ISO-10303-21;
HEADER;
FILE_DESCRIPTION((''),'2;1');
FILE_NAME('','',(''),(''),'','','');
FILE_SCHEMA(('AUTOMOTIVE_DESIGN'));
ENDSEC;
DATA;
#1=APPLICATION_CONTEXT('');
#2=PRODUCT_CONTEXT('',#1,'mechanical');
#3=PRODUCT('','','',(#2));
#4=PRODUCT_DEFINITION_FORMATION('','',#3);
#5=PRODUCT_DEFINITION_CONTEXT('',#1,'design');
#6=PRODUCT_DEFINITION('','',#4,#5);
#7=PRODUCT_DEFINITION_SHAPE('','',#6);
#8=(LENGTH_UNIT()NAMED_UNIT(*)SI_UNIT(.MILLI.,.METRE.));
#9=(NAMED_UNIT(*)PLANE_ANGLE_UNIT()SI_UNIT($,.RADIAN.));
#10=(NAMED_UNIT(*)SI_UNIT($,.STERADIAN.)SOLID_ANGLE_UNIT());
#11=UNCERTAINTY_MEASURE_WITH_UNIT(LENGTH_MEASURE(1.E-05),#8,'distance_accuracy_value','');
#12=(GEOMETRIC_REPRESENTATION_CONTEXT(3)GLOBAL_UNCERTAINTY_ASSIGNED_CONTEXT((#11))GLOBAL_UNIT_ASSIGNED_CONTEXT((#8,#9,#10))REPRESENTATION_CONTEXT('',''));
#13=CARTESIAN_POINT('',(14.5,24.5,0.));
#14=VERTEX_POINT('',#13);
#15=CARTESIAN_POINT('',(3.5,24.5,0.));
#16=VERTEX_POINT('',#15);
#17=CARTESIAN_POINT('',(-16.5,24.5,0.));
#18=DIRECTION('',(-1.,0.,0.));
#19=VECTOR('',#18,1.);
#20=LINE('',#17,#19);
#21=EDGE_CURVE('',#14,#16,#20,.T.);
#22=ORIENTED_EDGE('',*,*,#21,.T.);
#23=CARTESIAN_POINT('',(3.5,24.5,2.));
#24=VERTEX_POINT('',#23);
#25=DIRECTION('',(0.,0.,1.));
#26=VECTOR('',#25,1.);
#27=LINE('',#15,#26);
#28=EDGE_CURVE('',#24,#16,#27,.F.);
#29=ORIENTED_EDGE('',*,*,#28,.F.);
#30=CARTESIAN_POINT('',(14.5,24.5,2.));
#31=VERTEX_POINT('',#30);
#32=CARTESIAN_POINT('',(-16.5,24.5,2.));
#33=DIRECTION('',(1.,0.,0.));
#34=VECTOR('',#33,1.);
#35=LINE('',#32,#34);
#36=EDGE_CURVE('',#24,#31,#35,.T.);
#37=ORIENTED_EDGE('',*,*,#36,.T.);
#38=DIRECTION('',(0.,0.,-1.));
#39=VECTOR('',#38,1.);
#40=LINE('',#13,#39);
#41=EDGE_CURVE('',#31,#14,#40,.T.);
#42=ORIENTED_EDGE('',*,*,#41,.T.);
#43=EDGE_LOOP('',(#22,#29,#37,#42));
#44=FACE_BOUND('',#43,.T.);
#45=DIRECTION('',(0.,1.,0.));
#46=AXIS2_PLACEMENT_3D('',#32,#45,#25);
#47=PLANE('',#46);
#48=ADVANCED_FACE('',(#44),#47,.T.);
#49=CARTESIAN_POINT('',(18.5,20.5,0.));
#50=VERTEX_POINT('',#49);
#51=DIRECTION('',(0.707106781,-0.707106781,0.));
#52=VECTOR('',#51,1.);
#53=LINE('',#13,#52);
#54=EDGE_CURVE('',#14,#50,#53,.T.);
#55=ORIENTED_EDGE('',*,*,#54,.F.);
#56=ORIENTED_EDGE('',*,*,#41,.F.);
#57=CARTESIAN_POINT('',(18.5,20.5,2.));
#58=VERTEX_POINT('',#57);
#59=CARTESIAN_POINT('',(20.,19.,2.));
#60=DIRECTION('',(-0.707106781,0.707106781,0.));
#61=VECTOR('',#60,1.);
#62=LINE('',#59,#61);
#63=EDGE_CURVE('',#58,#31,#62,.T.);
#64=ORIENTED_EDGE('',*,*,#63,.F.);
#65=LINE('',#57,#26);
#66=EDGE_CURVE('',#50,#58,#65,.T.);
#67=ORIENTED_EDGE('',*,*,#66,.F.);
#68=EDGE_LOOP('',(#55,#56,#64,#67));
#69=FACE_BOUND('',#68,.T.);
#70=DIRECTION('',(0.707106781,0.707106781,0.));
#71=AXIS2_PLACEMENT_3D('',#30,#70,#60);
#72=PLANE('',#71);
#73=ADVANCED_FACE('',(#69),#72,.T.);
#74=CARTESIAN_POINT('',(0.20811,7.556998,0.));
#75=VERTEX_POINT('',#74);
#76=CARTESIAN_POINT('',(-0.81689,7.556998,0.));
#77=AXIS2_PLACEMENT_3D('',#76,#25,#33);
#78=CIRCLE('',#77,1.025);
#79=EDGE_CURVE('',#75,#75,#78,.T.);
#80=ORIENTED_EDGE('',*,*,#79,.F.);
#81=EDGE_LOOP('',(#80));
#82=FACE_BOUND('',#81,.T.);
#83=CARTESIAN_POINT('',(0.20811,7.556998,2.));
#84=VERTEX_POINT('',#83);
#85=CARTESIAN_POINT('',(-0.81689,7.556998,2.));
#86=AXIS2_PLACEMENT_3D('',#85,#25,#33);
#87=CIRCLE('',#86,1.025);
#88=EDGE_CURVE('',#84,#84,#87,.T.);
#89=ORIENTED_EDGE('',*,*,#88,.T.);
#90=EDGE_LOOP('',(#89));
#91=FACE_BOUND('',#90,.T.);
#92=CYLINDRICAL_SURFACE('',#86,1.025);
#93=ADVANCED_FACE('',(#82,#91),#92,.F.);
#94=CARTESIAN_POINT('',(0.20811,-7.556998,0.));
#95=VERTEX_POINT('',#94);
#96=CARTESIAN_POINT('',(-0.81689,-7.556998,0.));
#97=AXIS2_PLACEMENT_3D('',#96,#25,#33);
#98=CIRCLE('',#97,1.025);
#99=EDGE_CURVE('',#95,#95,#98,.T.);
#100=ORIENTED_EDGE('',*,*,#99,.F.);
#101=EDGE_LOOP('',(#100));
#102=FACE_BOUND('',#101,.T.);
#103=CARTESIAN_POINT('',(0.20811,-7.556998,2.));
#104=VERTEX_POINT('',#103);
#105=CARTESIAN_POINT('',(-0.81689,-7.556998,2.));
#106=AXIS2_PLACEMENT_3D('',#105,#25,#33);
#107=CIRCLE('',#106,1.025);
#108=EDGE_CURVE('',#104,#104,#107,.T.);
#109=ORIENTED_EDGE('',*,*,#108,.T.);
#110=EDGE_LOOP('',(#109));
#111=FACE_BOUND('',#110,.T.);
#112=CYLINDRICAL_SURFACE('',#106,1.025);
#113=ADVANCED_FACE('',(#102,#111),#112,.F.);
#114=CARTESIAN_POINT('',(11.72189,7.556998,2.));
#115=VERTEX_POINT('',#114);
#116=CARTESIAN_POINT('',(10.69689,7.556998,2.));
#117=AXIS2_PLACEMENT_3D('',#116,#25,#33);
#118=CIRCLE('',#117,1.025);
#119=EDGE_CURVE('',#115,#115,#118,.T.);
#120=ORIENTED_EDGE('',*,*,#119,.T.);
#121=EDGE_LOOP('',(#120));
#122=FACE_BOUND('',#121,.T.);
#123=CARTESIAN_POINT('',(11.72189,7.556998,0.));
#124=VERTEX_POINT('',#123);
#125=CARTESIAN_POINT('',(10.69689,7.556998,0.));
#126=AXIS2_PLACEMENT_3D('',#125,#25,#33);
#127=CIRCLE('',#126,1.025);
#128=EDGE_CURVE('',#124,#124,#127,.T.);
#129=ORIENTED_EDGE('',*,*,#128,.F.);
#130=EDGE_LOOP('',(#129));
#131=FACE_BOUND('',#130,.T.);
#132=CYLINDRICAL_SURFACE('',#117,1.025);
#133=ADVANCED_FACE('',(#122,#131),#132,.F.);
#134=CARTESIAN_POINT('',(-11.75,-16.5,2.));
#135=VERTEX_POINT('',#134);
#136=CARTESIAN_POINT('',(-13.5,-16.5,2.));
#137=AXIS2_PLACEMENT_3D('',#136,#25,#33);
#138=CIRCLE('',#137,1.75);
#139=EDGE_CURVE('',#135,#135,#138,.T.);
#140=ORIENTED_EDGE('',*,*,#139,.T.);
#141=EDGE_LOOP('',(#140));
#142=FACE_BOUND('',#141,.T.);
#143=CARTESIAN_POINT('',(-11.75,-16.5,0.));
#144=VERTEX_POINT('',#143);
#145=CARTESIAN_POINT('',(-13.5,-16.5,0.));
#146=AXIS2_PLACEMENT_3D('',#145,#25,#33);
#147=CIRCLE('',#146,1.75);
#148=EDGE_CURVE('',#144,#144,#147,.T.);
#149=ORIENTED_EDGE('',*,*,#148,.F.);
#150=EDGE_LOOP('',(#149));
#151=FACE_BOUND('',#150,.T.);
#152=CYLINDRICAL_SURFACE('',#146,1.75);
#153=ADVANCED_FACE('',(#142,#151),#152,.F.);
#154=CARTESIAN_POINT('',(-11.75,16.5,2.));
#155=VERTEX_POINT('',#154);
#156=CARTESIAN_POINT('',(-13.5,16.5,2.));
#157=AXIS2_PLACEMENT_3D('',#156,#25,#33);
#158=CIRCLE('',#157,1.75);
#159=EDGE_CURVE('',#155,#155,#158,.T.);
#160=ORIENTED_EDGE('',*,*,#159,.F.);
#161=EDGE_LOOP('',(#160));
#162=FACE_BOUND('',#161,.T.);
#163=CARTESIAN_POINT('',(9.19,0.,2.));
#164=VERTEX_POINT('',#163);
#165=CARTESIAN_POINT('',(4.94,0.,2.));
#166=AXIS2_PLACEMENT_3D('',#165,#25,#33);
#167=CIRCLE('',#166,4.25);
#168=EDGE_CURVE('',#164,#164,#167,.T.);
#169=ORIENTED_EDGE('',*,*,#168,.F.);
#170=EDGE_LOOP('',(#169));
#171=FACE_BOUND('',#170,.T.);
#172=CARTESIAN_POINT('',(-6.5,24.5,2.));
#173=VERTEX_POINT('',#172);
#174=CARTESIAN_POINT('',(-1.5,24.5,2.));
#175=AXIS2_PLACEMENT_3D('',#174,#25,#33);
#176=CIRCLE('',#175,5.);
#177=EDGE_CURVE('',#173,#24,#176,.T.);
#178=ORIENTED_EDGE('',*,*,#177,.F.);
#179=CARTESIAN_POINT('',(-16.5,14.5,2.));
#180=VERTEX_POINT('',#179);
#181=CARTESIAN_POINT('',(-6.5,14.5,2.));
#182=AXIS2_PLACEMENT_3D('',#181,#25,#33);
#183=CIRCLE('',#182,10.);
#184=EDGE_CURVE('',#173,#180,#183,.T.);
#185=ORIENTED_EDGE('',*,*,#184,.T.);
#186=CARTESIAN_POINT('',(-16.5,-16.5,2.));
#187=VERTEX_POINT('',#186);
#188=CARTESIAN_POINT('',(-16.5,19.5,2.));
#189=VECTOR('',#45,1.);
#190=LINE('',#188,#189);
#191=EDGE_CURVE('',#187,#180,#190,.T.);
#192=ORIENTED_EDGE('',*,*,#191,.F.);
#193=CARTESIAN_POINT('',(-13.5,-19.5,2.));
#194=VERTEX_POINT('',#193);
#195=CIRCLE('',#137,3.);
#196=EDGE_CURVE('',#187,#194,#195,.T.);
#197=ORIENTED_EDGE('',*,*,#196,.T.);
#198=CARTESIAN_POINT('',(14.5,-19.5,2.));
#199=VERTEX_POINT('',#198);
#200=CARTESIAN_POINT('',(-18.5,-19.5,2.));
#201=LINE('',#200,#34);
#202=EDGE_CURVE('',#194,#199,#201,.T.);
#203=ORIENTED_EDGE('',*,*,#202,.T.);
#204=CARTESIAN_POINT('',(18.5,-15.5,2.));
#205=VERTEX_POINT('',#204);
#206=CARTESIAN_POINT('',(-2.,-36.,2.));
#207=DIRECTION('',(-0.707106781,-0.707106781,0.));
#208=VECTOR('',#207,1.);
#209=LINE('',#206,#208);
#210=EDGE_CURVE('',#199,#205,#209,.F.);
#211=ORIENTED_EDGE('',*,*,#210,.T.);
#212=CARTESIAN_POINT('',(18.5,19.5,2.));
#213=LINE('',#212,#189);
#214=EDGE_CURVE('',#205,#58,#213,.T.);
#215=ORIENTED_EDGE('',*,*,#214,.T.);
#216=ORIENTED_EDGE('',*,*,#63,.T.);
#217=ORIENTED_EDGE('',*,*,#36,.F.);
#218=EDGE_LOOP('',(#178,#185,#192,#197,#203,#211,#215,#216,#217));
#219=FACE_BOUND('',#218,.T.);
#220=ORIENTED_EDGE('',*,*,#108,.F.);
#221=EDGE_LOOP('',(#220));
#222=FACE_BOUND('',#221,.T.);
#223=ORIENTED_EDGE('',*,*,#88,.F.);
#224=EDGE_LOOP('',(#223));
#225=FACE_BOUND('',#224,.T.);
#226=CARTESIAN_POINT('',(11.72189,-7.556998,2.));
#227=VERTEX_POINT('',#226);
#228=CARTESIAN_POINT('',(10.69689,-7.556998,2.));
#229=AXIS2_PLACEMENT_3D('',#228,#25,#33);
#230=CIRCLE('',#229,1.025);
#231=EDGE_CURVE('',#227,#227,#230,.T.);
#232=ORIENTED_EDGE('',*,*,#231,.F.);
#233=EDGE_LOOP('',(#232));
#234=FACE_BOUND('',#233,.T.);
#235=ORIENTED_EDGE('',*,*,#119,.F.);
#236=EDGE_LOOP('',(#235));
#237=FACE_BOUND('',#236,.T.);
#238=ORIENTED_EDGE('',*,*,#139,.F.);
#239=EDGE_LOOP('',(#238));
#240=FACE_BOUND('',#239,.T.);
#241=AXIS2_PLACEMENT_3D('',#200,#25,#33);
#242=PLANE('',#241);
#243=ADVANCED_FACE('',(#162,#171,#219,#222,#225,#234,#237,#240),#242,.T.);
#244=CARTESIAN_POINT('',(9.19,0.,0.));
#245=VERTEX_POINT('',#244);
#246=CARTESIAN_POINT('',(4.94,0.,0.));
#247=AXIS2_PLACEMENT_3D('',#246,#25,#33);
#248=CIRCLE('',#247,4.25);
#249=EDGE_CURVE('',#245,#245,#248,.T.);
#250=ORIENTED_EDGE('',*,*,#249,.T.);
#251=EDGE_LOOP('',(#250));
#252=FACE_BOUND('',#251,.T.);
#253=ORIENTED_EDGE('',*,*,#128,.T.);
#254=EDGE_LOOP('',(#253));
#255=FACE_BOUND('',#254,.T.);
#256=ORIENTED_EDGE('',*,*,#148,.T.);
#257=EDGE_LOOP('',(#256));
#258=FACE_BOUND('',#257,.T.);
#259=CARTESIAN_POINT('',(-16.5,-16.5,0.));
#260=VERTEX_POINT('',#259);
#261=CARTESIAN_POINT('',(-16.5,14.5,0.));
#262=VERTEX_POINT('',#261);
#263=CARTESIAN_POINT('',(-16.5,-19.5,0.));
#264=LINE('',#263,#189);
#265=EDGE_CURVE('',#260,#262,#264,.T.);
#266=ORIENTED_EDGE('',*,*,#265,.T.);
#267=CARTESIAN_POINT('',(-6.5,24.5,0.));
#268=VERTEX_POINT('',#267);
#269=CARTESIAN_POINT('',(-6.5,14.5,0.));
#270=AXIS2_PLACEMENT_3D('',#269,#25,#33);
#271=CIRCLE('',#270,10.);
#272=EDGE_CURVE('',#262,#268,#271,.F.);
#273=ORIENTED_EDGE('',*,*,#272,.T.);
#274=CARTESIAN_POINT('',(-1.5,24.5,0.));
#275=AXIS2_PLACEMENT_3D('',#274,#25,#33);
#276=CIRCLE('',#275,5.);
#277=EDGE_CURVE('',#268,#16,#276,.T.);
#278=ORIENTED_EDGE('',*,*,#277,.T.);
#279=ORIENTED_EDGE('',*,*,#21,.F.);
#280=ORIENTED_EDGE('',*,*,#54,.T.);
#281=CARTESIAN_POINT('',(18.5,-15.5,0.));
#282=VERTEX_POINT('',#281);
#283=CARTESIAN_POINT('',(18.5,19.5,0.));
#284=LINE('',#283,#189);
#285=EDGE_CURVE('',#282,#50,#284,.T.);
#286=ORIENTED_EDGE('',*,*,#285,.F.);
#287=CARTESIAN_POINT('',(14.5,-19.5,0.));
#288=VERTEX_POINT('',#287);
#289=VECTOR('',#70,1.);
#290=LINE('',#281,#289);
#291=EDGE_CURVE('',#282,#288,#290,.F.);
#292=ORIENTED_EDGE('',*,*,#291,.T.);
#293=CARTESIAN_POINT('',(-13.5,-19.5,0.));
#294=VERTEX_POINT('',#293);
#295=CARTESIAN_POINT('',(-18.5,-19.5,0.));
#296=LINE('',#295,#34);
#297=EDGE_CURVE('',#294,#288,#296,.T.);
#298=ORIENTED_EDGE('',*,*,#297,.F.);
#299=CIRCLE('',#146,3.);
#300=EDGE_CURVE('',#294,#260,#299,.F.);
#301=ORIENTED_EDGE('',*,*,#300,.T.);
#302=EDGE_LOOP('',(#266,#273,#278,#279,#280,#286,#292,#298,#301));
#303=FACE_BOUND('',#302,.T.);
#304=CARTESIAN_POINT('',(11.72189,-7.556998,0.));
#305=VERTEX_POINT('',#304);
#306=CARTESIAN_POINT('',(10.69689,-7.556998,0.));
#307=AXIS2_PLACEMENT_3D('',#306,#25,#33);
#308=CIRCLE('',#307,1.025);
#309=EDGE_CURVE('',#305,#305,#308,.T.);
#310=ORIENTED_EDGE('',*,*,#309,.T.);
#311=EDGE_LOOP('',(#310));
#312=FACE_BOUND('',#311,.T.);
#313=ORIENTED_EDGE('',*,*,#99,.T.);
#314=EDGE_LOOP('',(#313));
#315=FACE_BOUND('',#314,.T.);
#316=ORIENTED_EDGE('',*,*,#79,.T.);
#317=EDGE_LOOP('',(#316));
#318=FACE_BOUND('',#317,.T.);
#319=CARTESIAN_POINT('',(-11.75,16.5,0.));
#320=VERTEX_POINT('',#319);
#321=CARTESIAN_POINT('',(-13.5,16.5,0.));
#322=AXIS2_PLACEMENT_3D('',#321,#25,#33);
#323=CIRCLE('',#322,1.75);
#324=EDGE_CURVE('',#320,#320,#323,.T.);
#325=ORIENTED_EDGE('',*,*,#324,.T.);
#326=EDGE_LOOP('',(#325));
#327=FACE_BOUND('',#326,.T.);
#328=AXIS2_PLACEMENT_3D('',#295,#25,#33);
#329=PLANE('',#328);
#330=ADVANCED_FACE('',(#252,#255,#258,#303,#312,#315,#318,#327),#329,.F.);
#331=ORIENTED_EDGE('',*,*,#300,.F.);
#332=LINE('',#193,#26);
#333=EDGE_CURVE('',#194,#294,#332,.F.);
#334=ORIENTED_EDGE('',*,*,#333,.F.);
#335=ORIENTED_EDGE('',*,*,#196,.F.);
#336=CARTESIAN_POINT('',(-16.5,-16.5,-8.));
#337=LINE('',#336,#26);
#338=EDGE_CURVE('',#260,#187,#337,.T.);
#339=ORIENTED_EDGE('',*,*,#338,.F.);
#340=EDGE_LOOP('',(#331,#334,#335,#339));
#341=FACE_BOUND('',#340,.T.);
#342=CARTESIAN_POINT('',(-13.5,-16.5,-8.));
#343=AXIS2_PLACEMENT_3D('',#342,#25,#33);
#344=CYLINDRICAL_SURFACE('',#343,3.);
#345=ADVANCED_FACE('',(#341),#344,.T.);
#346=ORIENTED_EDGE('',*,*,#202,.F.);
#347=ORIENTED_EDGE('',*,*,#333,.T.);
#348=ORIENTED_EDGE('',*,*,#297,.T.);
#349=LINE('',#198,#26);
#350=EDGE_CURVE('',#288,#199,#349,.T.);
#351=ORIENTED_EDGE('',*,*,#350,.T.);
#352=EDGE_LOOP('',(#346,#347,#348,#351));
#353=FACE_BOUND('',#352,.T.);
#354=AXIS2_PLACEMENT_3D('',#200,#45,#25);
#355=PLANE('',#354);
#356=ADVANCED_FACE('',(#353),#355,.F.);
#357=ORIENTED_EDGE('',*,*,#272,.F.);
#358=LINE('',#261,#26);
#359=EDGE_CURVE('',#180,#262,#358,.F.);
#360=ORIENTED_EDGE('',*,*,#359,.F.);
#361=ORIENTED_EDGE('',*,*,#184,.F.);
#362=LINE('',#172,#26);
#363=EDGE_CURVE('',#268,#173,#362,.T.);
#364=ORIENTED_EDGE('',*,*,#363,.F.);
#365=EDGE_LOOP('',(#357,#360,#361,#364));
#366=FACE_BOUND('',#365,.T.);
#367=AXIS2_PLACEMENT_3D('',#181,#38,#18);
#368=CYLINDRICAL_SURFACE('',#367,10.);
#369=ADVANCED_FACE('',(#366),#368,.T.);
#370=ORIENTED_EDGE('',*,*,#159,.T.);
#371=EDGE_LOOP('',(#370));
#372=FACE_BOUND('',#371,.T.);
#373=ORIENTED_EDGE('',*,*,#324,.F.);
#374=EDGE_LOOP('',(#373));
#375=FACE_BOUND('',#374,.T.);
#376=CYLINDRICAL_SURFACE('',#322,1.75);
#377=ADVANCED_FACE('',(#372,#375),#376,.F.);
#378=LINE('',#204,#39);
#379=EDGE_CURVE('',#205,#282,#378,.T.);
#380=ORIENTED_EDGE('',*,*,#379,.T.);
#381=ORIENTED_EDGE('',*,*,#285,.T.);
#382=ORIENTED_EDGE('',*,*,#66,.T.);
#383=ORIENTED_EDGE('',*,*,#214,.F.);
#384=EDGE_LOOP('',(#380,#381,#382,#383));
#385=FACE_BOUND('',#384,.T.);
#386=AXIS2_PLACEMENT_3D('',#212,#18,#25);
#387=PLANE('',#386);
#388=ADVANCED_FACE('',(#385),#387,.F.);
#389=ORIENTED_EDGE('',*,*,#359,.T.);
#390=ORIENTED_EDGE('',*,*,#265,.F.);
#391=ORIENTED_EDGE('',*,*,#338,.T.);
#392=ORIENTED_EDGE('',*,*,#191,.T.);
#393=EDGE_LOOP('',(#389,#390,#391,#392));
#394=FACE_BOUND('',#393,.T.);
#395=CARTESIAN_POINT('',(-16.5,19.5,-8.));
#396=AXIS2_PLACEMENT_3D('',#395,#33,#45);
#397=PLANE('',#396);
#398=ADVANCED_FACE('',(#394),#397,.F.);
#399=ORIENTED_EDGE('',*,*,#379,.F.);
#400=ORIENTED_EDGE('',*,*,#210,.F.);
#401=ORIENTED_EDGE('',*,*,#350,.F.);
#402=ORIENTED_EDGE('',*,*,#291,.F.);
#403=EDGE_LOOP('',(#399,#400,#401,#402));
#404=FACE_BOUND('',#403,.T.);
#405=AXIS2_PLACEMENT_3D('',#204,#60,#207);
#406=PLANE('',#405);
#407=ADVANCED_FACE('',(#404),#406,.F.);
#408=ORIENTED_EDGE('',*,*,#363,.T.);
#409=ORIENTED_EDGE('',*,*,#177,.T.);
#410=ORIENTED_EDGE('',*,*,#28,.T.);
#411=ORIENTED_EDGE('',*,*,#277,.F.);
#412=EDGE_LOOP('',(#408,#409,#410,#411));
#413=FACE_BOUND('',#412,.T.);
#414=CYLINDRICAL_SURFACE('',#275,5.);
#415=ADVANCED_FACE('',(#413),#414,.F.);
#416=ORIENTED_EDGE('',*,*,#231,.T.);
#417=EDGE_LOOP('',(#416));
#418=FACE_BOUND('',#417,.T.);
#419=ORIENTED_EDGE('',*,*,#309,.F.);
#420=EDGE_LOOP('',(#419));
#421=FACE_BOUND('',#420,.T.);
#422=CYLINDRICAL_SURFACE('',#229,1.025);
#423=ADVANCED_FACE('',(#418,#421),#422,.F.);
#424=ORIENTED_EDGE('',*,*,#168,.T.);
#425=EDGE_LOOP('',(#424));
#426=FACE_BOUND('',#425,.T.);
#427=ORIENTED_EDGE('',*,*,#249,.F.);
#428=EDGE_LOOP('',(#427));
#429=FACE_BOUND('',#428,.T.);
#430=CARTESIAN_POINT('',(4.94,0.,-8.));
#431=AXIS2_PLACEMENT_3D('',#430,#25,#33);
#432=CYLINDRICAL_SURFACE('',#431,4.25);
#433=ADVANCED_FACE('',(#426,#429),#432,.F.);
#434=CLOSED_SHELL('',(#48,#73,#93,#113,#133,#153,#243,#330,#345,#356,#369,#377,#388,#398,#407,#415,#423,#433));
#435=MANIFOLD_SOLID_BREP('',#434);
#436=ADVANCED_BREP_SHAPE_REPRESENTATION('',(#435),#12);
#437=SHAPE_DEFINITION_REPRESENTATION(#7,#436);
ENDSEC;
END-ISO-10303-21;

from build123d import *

# Parameters (mm, degrees)
SKETCH_2_W              = 37
SKETCH_2_H              = 39
EXTRUDE_1_DEPTH         = 2
SKETCH_3_R              = 1.75
CUT_EXTRUDE_2_DEPTH     = 2
CHAMFER_3_SIZE          = 1
SKETCH_7_R              = 4.25
CUT_EXTRUDE_3_DEPTH     = 10
SKETCH_8_W              = 2
SKETCH_8_H              = 39
CUT_EXTRUDE_4_DEPTH     = 10
FILLET_3_R              = 3
M2_5_TAPPED_HOLE1_D     = 2.05
M2_5_TAPPED_HOLE1_DEPTH = 7.25
M2_5_TAPPED_HOLE1_TIP   = 0.615882135
CHAMFER2_SIZE           = 4
SKETCH_9_W              = 35
SKETCH_9_H              = 2
EXTRUDE_1_2_DEPTH       = 5
CHAMFER_5_SIZE          = 4
FILLET_4_R              = 10
SKETCH_11_R             = 5
CUT_EXTRUDE_1_DEPTH     = 31.765240126


with BuildPart() as part:
    # 草图2 → Extrude 1 (new body)
    with BuildSketch(Plane.XY):
        Rectangle(SKETCH_2_W, SKETCH_2_H)
    extrude(amount=EXTRUDE_1_DEPTH)

    # 草图3 → 拉伸2 (cut)
    with BuildSketch(Plane.XY.offset(2)):
        with Locations((-13.5, 16.5)):
            Circle(SKETCH_3_R)
        with Locations((-13.5, -16.5)):
            Circle(SKETCH_3_R)
    extrude(amount=-CUT_EXTRUDE_2_DEPTH, mode=Mode.SUBTRACT)

    # 倒角3
    chamfer_3_edges = [part.edges().sort_by_distance(p)[0] for p in [
        (-18.5, 19.5, 1),
        (-18.5, -19.5, 1),
    ]]
    chamfer(chamfer_3_edges, length=CHAMFER_3_SIZE)

    # 草图7 → 拉伸3 (cut)
    with BuildSketch(Plane.XY.offset(2)):
        with Locations((4.94, 0)):
            Circle(SKETCH_7_R)
    extrude(amount=-CUT_EXTRUDE_3_DEPTH, mode=Mode.SUBTRACT)

    # 草图8 → 拉伸4 (cut)
    with BuildSketch(Plane.XY.offset(2)):
        with Locations((-17.5, 0)):
            Rectangle(SKETCH_8_W, SKETCH_8_H)
    extrude(amount=-CUT_EXTRUDE_4_DEPTH, mode=Mode.SUBTRACT)

    # 圆角3
    fillet_3_edges = [part.edges().sort_by_distance(p)[0] for p in [
        (-16.5, -19.5, 1),
    ]]
    fillet(fillet_3_edges, radius=FILLET_3_R)

    # M2.5 Tapped Hole1
    with Locations(Plane(origin=(-0.816889803, -7.556998068, 2), x_dir=(1, 0, 0), z_dir=(0, 0, 1))):
        with Locations((0, 0), (11.513779606, 15.113996136), (0, 15.113996136), (11.513779606, 0)):
            Hole(M2_5_TAPPED_HOLE1_D / 2, depth=M2_5_TAPPED_HOLE1_DEPTH)
            with Locations((0, 0, -(M2_5_TAPPED_HOLE1_DEPTH + M2_5_TAPPED_HOLE1_TIP / 2))):  # 118° drill point
                Cone(0, M2_5_TAPPED_HOLE1_D / 2, M2_5_TAPPED_HOLE1_TIP, mode=Mode.SUBTRACT)

    # Chamfer2
    chamfer2_edges = [part.edges().sort_by_distance(p)[0] for p in [
        (18.5, -19.5, 1),
    ]]
    chamfer(chamfer2_edges, length=CHAMFER2_SIZE)

    # 草图9 → Extrude 1 2 (add)
    with BuildSketch(Plane(origin=(0, 19.5, 0), x_dir=(1, 0, 0), z_dir=(0, 1, 0))):
        with Locations((1, -1)):
            Rectangle(SKETCH_9_W, SKETCH_9_H)
    extrude(amount=EXTRUDE_1_2_DEPTH)

    # 倒角5
    chamfer_5_edges = [part.edges().sort_by_distance(p)[0] for p in [
        (18.5, 24.5, 1),
    ]]
    chamfer(chamfer_5_edges, length=CHAMFER_5_SIZE)

    # 圆角4
    fillet_4_edges = [part.edges().sort_by_distance(p)[0] for p in [
        (-16.5, 24.5, 1),
    ]]
    fillet(fillet_4_edges, radius=FILLET_4_R)

    # 草图11 → 切除-拉伸1 (cut, through all)
    with BuildSketch(Plane.XY.offset(2)):
        with Locations((-1.5, 24.5)):
            Circle(SKETCH_11_R)
    extrude(amount=-CUT_EXTRUDE_1_DEPTH, mode=Mode.SUBTRACT)


solid = part.part
